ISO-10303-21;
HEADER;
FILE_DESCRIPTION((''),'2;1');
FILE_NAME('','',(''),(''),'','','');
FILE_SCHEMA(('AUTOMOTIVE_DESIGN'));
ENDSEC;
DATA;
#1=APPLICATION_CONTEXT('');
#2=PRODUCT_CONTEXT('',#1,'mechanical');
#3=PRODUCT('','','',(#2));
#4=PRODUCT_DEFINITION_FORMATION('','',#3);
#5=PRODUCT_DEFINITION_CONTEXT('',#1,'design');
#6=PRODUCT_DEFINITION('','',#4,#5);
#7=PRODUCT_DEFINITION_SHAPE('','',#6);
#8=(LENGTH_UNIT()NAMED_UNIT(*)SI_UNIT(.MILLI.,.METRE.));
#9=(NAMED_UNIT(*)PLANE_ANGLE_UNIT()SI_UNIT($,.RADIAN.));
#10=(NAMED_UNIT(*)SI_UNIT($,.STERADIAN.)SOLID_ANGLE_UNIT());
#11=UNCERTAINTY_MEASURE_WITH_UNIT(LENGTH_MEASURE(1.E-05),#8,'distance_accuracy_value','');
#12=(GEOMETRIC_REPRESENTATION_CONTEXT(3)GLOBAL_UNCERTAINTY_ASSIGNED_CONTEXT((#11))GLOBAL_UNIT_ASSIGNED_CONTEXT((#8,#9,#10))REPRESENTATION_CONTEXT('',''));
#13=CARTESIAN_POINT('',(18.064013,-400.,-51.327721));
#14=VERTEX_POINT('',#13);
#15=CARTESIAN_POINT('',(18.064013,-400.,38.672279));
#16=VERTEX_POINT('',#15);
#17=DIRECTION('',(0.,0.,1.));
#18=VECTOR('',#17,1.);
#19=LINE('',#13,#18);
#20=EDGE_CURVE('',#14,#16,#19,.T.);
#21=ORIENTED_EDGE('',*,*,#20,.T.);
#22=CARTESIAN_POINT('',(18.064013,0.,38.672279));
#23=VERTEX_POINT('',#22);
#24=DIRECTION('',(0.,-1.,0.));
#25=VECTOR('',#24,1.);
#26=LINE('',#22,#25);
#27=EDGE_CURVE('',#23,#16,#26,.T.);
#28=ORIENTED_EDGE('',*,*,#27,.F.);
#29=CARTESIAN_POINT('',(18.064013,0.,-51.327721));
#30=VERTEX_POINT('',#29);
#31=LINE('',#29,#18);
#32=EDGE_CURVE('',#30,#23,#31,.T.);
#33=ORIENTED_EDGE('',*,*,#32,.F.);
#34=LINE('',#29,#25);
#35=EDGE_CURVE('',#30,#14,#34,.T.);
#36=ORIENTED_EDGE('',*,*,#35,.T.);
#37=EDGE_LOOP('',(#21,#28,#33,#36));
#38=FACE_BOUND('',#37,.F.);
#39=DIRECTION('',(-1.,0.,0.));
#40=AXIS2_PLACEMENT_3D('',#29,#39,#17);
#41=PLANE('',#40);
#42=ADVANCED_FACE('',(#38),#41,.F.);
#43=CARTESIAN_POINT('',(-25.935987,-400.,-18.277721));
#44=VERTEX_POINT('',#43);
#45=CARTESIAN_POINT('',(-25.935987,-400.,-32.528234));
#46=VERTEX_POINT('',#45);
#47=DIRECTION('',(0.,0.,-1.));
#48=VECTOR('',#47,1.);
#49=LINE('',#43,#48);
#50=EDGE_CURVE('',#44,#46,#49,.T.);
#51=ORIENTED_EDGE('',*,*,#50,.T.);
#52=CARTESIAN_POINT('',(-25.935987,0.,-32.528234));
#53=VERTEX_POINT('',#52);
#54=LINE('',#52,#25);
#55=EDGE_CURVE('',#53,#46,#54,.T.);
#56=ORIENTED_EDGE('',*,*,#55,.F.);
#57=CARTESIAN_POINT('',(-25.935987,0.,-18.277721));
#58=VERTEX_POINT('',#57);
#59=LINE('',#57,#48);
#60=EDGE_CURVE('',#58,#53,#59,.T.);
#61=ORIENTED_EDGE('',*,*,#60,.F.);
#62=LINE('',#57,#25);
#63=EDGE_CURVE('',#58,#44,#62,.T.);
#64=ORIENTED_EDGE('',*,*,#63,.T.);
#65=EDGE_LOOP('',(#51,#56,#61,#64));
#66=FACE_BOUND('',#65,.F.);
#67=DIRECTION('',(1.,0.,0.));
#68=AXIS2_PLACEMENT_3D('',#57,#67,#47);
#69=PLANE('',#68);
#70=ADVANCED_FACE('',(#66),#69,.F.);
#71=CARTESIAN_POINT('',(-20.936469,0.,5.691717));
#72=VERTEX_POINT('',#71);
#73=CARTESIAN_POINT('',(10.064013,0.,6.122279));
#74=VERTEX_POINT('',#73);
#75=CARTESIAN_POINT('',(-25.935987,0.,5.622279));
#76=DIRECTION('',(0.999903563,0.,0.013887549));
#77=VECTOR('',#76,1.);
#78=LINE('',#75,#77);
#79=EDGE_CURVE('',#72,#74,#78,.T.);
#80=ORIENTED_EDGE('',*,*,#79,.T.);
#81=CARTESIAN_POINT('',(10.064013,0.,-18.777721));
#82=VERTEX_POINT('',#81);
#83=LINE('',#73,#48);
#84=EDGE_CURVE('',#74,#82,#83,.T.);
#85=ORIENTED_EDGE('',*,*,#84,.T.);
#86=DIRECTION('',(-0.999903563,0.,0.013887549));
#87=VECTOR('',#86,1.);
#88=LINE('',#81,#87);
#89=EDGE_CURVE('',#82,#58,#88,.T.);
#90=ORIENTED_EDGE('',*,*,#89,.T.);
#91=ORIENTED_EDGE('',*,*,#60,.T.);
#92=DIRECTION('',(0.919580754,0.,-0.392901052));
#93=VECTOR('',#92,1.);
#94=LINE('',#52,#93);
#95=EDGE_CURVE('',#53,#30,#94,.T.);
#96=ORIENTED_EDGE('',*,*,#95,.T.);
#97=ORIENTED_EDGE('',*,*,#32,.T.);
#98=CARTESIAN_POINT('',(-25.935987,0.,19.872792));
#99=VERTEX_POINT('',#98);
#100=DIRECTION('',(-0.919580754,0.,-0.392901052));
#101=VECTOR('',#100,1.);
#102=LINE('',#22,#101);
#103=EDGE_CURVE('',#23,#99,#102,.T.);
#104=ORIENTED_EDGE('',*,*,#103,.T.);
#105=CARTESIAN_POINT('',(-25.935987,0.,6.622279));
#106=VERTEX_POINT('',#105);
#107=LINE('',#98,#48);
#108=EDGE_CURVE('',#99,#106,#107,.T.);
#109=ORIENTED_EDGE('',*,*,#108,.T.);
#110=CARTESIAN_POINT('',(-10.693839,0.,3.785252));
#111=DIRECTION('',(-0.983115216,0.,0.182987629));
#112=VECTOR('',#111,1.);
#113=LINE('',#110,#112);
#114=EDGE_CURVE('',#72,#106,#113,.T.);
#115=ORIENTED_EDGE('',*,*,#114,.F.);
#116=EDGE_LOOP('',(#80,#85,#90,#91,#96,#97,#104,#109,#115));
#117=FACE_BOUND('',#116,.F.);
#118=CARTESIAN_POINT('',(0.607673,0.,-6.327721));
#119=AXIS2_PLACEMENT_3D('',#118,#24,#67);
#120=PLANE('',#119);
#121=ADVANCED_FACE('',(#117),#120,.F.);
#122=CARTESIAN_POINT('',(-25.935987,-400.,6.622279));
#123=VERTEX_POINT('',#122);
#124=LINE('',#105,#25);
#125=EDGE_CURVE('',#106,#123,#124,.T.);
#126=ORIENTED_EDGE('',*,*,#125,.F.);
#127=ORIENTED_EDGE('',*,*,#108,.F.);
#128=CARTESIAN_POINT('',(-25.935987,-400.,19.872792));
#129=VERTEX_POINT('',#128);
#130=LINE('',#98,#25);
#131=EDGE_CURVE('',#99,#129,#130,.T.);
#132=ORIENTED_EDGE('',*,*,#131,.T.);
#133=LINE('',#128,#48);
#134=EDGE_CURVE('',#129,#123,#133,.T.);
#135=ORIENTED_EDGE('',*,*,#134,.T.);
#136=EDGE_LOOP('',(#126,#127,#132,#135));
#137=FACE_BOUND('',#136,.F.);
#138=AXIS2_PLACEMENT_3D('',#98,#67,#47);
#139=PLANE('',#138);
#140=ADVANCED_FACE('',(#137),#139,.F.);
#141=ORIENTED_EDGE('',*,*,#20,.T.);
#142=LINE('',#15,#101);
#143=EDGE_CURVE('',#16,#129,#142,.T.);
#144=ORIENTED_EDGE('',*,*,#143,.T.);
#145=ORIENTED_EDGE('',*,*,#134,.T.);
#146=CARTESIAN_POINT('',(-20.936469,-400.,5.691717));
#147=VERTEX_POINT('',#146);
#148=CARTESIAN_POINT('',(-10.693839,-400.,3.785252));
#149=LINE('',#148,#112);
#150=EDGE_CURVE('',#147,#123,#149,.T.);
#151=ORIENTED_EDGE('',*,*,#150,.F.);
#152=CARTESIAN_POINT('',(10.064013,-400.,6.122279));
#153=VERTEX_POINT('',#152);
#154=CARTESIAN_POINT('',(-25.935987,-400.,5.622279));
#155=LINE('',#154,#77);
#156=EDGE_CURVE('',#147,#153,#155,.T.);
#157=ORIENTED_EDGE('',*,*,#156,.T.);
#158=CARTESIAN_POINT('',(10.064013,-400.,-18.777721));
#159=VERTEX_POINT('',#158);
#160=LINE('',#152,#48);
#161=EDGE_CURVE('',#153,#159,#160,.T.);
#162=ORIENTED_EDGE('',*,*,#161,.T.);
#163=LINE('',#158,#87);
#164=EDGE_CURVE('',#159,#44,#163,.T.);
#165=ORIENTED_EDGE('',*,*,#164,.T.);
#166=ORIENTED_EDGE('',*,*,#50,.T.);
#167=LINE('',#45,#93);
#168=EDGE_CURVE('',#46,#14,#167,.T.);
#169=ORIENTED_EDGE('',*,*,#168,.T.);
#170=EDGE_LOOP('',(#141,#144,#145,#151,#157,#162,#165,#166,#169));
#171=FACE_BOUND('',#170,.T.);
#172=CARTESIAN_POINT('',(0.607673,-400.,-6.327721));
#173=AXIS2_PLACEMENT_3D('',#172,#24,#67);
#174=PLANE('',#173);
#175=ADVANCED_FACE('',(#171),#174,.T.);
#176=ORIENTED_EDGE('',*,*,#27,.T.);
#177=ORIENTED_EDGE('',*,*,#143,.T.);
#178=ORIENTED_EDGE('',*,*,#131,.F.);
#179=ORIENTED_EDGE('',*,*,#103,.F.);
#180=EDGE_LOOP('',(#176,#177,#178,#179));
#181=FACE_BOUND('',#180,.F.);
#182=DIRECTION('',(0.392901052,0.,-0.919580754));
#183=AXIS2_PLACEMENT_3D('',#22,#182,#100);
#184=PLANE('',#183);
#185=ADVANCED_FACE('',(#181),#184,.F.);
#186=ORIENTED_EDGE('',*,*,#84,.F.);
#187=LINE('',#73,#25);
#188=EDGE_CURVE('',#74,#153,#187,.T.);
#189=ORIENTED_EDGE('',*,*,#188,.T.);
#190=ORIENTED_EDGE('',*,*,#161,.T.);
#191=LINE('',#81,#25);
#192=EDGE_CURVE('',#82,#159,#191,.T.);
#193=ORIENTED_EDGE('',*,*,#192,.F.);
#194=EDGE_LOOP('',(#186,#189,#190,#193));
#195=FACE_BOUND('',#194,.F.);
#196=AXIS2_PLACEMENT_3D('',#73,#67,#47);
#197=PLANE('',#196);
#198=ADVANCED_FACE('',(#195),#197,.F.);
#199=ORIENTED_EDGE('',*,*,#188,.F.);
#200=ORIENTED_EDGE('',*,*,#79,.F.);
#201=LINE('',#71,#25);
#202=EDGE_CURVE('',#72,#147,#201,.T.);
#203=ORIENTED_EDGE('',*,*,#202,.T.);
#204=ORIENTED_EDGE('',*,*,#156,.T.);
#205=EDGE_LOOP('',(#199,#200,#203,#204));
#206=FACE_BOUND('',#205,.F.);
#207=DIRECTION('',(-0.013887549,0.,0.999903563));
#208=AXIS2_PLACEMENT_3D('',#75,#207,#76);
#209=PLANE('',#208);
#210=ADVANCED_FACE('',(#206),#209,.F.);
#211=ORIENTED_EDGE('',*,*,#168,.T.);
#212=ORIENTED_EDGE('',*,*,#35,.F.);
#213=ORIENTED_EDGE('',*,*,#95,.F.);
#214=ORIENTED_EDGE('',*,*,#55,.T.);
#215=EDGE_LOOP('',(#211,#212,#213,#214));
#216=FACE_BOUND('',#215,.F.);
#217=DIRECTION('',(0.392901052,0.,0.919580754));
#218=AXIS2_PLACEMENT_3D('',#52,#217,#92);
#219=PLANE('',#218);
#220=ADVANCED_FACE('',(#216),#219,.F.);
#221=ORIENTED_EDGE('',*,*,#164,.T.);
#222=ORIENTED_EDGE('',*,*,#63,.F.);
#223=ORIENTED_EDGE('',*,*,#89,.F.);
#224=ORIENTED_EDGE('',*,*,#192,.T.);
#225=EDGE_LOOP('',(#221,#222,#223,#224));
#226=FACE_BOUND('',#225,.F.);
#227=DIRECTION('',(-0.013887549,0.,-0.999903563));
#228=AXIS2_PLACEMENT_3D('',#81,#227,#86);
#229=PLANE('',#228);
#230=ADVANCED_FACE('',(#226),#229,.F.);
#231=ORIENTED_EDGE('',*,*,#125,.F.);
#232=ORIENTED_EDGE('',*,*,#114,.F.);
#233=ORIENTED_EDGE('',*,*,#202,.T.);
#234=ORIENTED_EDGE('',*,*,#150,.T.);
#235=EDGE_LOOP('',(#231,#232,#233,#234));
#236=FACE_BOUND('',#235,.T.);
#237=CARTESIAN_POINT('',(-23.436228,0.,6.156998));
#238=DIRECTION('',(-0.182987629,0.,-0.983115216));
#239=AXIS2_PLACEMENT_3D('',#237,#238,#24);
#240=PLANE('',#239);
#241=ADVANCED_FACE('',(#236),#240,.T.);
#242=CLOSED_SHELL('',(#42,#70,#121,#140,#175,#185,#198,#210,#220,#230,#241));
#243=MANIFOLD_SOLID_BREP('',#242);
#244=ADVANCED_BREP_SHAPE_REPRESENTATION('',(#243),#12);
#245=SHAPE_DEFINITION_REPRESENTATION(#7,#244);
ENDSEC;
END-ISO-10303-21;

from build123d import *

# Parameters (mm, degrees)
F1_DEPTH = 400
F2_SIZE2 = 1
F2_SIZE  = 5


with BuildPart() as f1:
    # F0 (on Front) → F1 (new body)
    with BuildSketch(Plane.XZ):
        Polygon((-25.9359870106, 19.8727920651), (-25.9359870106, 5.6222789221), (10.0640129894, 6.1222789221), (10.0640129894, -18.7777210779), (-25.9359870106, -18.2777210779), (-25.9359870106, -32.528234221), (18.0640129894, -51.3277210779), (18.0640129894, -6.3277210779), (18.0640129894, 38.6722789221), align=None)
    extrude(amount=F1_DEPTH)

    # F2
    f2_edges = [f1.edges().sort_by_distance(p)[0] for p in [
        (-25.935987, -200, 5.622279),
    ]]
    f2_side = f1.faces().sort_by_distance((-7.935987, -200, 5.872279))[0]
    chamfer(f2_edges, length=F2_SIZE, length2=F2_SIZE2, reference=f2_side)


solid = f1.part
